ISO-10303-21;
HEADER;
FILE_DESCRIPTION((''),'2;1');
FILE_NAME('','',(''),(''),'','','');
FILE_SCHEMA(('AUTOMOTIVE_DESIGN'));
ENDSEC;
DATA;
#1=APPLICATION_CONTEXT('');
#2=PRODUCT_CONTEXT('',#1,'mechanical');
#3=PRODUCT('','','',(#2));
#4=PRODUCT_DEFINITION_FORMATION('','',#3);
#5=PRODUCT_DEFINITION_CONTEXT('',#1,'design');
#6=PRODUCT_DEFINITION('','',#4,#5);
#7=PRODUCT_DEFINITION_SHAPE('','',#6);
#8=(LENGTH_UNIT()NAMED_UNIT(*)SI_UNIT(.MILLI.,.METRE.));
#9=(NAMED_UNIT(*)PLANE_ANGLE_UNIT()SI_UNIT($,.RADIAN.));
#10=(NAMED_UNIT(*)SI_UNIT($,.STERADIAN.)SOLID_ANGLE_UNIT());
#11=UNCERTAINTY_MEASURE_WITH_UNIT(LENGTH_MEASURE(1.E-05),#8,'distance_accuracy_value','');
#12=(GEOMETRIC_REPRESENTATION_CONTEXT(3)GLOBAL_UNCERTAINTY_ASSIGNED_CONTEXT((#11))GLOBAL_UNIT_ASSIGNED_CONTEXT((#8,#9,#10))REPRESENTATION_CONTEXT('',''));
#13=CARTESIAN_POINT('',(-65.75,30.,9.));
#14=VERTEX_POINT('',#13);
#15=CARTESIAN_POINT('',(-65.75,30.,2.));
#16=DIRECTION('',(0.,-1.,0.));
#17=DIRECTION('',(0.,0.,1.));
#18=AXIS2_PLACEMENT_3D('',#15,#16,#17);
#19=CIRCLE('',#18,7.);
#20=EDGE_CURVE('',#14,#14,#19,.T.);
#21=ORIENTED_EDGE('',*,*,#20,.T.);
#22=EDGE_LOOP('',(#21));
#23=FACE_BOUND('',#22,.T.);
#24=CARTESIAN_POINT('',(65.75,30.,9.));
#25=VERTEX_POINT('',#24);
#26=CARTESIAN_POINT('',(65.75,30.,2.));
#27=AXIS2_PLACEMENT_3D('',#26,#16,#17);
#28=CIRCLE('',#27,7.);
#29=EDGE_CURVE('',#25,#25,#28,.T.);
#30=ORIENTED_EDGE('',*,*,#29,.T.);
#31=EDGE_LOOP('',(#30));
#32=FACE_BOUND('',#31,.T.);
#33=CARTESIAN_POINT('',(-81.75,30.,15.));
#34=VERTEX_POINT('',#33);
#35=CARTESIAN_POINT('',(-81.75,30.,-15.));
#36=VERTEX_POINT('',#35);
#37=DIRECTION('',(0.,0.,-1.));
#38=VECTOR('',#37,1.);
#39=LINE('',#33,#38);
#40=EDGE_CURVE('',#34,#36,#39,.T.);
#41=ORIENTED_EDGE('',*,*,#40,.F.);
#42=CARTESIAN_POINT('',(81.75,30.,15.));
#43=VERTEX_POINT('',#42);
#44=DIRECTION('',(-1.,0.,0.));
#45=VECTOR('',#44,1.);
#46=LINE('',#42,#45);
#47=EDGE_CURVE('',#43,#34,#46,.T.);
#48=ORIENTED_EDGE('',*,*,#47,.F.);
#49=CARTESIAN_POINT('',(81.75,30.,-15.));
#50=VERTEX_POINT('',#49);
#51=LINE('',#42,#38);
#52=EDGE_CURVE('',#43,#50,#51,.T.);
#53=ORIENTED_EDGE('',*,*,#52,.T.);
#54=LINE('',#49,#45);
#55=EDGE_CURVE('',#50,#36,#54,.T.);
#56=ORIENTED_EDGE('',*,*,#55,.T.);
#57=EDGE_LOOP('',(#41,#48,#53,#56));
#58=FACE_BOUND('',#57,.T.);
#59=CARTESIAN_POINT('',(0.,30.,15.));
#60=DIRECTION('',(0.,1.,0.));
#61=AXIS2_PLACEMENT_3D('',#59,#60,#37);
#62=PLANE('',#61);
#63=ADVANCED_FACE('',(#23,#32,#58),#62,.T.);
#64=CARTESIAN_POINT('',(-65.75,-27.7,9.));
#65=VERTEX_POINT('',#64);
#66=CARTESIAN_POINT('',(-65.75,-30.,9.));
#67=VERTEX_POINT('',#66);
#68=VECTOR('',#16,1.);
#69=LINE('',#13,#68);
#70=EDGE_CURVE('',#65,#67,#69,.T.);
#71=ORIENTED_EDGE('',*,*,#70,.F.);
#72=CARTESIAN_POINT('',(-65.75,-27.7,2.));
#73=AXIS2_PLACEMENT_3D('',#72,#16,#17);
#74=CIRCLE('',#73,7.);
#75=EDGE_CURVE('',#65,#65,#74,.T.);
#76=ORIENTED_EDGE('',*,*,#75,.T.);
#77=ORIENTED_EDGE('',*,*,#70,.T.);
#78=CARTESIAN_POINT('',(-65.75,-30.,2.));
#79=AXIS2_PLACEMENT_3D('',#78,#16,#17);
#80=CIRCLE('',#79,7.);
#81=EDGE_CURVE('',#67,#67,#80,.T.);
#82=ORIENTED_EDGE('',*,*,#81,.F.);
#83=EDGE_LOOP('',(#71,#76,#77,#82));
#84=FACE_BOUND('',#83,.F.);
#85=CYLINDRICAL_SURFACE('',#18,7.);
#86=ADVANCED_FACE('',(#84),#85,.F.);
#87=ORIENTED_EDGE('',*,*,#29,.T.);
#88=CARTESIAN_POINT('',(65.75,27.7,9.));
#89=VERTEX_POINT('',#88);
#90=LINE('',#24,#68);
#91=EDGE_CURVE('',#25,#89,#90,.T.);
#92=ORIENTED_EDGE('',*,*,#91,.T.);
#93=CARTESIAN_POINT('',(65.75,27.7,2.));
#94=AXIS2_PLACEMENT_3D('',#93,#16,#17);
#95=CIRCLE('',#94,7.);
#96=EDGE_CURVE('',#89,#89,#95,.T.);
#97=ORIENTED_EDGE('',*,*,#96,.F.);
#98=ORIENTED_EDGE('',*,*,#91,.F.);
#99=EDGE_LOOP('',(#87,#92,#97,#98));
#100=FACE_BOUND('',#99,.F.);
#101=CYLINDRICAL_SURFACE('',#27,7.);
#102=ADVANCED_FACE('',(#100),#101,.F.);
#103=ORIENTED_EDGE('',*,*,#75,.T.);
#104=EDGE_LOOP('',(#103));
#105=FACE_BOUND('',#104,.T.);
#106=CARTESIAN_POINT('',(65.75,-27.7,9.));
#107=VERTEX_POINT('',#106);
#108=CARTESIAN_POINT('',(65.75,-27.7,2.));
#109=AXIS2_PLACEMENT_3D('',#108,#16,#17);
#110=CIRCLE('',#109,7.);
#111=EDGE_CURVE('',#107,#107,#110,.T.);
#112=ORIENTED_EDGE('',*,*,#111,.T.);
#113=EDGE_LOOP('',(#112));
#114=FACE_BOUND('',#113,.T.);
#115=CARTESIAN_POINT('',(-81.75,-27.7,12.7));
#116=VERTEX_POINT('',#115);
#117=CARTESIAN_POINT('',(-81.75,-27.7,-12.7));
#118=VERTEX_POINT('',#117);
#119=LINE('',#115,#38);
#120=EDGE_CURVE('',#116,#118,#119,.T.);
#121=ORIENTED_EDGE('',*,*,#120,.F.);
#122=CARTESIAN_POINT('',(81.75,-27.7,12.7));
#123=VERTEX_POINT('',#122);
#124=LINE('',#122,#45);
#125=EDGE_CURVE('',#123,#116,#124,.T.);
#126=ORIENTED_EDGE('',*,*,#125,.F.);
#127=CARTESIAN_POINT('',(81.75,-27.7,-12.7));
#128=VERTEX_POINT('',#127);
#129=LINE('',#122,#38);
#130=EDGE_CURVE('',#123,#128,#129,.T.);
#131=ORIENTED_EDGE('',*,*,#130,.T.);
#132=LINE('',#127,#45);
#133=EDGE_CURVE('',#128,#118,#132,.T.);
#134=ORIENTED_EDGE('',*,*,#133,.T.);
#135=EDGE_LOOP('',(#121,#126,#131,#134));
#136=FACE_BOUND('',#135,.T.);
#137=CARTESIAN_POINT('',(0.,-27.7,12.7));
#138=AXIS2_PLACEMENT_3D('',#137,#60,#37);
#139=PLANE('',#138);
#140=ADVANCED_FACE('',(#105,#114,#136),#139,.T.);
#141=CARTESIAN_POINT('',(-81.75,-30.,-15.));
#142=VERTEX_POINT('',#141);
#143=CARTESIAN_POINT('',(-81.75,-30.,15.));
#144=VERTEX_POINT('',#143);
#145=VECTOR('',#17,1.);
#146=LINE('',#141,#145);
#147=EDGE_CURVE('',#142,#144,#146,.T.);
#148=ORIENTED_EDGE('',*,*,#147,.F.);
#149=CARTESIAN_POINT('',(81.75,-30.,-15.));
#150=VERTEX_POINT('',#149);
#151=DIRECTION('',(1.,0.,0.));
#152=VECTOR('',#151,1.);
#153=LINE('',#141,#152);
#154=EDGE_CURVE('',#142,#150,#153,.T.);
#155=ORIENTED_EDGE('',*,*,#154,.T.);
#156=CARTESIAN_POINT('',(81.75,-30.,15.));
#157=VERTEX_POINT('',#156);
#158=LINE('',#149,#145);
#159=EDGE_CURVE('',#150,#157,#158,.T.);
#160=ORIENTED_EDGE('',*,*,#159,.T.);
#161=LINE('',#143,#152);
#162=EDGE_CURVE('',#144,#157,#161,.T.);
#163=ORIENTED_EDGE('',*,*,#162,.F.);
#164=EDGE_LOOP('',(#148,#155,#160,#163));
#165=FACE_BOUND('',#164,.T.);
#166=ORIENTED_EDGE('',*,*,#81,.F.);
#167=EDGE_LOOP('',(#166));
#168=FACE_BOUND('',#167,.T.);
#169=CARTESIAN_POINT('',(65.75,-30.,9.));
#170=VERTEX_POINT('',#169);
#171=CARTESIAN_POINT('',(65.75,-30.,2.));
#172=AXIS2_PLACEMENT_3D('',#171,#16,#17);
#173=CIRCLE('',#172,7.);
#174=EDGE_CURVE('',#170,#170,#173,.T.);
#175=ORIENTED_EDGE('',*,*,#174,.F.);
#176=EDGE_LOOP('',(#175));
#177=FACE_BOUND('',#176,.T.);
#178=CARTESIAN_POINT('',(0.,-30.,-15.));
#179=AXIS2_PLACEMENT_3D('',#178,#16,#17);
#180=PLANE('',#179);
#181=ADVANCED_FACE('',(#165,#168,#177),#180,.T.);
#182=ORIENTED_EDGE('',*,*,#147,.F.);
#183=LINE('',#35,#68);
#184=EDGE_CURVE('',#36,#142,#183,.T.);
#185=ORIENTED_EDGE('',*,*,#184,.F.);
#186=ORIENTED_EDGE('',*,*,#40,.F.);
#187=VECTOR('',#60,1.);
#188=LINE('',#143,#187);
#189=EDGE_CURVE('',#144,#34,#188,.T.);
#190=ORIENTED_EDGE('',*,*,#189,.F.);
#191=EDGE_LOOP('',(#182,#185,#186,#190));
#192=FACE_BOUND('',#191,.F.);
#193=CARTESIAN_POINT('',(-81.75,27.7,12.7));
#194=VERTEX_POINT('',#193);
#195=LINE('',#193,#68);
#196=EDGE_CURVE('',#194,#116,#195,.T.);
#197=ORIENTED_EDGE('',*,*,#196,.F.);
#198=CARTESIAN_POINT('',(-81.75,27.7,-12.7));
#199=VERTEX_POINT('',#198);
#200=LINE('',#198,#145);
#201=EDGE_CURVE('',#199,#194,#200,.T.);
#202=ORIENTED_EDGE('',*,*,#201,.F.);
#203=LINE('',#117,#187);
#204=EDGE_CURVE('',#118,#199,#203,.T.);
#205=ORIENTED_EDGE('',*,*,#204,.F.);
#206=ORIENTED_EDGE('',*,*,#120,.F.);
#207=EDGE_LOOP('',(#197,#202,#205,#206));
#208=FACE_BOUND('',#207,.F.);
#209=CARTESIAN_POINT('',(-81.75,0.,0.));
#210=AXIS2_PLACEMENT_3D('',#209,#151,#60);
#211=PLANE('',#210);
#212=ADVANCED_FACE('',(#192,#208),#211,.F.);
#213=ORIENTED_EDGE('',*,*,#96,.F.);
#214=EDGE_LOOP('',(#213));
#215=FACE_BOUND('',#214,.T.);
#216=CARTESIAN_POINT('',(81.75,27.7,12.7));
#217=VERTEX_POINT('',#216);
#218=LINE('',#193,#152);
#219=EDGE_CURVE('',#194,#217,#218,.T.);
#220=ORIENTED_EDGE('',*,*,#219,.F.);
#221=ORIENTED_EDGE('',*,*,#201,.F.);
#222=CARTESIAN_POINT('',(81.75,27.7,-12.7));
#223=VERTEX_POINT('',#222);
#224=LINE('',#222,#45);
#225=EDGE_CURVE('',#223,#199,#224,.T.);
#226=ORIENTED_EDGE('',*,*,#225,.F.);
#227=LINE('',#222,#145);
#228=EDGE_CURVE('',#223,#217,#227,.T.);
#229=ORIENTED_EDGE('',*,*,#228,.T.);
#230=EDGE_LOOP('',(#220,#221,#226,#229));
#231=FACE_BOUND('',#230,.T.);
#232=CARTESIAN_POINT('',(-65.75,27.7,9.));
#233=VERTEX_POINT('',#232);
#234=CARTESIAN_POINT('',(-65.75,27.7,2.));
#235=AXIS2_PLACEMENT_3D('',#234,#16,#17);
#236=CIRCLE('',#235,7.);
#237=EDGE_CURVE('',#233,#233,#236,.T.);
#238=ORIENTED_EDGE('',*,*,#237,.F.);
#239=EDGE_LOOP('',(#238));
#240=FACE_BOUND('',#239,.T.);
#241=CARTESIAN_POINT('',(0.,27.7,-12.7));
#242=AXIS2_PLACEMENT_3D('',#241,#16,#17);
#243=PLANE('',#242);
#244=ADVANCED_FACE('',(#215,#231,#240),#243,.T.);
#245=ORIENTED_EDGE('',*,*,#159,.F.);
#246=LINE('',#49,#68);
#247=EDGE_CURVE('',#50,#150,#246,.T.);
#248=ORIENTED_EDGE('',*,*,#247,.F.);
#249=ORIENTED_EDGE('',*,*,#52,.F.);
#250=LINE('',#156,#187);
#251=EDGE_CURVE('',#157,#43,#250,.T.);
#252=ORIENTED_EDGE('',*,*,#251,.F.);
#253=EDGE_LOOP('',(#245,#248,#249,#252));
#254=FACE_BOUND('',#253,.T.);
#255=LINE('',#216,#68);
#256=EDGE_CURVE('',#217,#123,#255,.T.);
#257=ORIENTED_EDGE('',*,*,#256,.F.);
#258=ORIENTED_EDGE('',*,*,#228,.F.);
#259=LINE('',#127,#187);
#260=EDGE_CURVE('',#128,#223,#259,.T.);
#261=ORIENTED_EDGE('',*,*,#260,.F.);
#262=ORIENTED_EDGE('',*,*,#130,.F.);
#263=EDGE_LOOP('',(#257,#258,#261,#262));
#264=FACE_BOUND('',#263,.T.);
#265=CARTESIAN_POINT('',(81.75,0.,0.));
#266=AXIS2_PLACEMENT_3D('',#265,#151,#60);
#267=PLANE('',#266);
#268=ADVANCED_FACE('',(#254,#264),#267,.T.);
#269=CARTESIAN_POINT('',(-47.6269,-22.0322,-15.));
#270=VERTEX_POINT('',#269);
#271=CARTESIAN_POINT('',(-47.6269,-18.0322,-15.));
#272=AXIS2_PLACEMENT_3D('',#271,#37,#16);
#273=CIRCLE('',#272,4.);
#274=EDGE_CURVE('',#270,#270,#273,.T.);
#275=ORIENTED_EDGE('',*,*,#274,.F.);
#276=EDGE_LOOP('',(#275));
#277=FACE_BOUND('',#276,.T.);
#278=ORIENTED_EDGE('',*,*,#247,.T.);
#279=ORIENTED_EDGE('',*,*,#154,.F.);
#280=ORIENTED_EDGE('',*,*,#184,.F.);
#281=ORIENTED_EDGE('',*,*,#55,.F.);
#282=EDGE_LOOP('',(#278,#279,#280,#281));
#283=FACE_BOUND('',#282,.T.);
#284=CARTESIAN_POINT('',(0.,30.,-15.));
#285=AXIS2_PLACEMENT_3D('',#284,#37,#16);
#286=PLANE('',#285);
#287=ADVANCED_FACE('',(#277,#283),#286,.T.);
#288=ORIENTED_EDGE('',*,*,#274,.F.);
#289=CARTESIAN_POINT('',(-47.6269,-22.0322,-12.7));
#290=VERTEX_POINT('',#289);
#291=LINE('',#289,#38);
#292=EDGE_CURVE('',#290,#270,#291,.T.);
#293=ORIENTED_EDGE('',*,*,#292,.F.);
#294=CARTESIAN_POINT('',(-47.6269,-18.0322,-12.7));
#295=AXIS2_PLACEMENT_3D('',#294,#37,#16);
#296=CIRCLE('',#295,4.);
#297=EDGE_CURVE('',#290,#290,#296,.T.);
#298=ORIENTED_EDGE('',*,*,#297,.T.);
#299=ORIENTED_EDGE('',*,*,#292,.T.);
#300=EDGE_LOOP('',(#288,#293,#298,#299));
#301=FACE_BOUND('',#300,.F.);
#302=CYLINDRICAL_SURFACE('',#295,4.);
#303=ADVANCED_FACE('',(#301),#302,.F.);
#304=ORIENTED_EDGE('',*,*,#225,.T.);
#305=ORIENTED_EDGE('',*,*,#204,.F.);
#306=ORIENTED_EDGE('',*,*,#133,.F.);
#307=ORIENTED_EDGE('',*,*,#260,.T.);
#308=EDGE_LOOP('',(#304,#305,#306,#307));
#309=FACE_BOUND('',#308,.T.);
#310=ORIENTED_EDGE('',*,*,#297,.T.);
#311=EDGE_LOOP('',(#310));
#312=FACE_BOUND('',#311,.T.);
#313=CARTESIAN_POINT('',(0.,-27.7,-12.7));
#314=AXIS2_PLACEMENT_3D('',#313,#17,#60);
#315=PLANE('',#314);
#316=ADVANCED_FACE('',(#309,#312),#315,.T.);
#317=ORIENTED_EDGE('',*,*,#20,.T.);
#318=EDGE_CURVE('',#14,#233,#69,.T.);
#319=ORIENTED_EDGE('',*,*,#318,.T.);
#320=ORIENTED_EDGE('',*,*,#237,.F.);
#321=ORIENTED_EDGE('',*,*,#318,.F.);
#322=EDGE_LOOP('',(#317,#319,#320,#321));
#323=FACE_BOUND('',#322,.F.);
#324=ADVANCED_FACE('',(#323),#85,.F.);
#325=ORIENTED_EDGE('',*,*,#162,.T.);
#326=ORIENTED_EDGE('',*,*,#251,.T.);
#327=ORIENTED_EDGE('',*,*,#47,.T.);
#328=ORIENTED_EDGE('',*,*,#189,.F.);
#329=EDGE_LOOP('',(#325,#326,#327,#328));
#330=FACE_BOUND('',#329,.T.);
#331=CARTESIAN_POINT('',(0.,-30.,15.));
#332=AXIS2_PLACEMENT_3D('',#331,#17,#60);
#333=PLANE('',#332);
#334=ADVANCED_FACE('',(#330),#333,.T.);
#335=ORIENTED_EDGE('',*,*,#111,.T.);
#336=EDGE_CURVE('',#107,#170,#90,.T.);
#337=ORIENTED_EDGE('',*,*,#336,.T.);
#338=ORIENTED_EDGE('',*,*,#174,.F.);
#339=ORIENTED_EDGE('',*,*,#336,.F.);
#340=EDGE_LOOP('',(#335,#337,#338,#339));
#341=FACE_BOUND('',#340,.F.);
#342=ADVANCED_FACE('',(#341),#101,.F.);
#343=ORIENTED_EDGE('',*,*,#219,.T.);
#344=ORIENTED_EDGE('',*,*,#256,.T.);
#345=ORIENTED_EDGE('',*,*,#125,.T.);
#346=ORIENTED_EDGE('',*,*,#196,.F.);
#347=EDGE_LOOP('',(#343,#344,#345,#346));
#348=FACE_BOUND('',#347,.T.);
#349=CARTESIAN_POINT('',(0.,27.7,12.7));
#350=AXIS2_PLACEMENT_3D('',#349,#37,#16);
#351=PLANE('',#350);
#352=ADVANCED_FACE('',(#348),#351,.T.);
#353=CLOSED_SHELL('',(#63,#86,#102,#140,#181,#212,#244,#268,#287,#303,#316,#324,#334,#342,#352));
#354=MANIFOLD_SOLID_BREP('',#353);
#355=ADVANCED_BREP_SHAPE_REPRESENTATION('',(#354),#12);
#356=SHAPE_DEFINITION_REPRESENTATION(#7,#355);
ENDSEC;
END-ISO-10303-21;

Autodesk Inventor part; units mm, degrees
ref_plane "YZ Plane" through (0, 0, 0) normal (1, 0, 0) x (0, 1, 0)
ref_plane "XZ Plane" through (0, 0, 0) normal (0, 1, 0) x (-1, 0, 0)
ref_plane "XY Plane" through (0, 0, 0) normal (0, 0, 1) x (1, 0, 0)
sketch "スケッチ1" plane through (0, 0, 0) normal (1, 0, 0) x (0, 1, 0)
  line L0 (-30, 15) -> (30, 15)
  line L1 (30, 15) -> (30, -15)
  line L2 (30, -15) -> (-30, -15)
  line L3 (-30, -15) -> (-30, 15)
  line L4 (-30, 15) -> (30, -15) construction
  line L5 (30, 15) -> (-30, -15) construction
  line L6 (27.7, 12.7) -> (-27.7, 12.7)
  line L7 (-27.7, 12.7) -> (-27.7, -12.7)
  line L8 (-27.7, -12.7) -> (27.7, -12.7)
  line L9 (27.7, -12.7) -> (27.7, 12.7)
  point P0 (0, 0)
  dimension "d0" = 60
  dimension "d1" = 30
  dimension "d2" = 2.3
extrude "押し出し1" add sketch "スケッチ1" along normal mid plane 163.5
sketch "スケッチ2" plane through (-81.75, 30, 15) normal (0, 1, 0) x (1, 0, 0)
  line L0 (163.5, 30) -> (0, 30) projected
  line L1 (163.5, 30) -> (163.5, 0) projected
  line L2 (0, 0) -> (0, 30) projected
  point P0 (16, 13)
  point P1 (147.5, 13)
  dimension "d14" = 17
  dimension "d15" = 17
  dimension "d16" = 16
  dimension "d17" = 16
hole "穴1" at (-65.75, 30, 2) at (65.75, 30, 2) direction (0, -1, 0) diameter 14 end through all
sketch "スケッチ5" plane through (-81.75, 27.7, -12.7) normal (0, 0, 1) x (1, 0, 0)
  circle A0 centre (34.1231, -45.7322) radius 5 construction
  point P0 (81.75, -27.7)
hole "穴2" at (-47.6269, -18.0322, -12.7) direction (0, 0, -1) diameter 8 end through all
properties part number "車軸受け3"
